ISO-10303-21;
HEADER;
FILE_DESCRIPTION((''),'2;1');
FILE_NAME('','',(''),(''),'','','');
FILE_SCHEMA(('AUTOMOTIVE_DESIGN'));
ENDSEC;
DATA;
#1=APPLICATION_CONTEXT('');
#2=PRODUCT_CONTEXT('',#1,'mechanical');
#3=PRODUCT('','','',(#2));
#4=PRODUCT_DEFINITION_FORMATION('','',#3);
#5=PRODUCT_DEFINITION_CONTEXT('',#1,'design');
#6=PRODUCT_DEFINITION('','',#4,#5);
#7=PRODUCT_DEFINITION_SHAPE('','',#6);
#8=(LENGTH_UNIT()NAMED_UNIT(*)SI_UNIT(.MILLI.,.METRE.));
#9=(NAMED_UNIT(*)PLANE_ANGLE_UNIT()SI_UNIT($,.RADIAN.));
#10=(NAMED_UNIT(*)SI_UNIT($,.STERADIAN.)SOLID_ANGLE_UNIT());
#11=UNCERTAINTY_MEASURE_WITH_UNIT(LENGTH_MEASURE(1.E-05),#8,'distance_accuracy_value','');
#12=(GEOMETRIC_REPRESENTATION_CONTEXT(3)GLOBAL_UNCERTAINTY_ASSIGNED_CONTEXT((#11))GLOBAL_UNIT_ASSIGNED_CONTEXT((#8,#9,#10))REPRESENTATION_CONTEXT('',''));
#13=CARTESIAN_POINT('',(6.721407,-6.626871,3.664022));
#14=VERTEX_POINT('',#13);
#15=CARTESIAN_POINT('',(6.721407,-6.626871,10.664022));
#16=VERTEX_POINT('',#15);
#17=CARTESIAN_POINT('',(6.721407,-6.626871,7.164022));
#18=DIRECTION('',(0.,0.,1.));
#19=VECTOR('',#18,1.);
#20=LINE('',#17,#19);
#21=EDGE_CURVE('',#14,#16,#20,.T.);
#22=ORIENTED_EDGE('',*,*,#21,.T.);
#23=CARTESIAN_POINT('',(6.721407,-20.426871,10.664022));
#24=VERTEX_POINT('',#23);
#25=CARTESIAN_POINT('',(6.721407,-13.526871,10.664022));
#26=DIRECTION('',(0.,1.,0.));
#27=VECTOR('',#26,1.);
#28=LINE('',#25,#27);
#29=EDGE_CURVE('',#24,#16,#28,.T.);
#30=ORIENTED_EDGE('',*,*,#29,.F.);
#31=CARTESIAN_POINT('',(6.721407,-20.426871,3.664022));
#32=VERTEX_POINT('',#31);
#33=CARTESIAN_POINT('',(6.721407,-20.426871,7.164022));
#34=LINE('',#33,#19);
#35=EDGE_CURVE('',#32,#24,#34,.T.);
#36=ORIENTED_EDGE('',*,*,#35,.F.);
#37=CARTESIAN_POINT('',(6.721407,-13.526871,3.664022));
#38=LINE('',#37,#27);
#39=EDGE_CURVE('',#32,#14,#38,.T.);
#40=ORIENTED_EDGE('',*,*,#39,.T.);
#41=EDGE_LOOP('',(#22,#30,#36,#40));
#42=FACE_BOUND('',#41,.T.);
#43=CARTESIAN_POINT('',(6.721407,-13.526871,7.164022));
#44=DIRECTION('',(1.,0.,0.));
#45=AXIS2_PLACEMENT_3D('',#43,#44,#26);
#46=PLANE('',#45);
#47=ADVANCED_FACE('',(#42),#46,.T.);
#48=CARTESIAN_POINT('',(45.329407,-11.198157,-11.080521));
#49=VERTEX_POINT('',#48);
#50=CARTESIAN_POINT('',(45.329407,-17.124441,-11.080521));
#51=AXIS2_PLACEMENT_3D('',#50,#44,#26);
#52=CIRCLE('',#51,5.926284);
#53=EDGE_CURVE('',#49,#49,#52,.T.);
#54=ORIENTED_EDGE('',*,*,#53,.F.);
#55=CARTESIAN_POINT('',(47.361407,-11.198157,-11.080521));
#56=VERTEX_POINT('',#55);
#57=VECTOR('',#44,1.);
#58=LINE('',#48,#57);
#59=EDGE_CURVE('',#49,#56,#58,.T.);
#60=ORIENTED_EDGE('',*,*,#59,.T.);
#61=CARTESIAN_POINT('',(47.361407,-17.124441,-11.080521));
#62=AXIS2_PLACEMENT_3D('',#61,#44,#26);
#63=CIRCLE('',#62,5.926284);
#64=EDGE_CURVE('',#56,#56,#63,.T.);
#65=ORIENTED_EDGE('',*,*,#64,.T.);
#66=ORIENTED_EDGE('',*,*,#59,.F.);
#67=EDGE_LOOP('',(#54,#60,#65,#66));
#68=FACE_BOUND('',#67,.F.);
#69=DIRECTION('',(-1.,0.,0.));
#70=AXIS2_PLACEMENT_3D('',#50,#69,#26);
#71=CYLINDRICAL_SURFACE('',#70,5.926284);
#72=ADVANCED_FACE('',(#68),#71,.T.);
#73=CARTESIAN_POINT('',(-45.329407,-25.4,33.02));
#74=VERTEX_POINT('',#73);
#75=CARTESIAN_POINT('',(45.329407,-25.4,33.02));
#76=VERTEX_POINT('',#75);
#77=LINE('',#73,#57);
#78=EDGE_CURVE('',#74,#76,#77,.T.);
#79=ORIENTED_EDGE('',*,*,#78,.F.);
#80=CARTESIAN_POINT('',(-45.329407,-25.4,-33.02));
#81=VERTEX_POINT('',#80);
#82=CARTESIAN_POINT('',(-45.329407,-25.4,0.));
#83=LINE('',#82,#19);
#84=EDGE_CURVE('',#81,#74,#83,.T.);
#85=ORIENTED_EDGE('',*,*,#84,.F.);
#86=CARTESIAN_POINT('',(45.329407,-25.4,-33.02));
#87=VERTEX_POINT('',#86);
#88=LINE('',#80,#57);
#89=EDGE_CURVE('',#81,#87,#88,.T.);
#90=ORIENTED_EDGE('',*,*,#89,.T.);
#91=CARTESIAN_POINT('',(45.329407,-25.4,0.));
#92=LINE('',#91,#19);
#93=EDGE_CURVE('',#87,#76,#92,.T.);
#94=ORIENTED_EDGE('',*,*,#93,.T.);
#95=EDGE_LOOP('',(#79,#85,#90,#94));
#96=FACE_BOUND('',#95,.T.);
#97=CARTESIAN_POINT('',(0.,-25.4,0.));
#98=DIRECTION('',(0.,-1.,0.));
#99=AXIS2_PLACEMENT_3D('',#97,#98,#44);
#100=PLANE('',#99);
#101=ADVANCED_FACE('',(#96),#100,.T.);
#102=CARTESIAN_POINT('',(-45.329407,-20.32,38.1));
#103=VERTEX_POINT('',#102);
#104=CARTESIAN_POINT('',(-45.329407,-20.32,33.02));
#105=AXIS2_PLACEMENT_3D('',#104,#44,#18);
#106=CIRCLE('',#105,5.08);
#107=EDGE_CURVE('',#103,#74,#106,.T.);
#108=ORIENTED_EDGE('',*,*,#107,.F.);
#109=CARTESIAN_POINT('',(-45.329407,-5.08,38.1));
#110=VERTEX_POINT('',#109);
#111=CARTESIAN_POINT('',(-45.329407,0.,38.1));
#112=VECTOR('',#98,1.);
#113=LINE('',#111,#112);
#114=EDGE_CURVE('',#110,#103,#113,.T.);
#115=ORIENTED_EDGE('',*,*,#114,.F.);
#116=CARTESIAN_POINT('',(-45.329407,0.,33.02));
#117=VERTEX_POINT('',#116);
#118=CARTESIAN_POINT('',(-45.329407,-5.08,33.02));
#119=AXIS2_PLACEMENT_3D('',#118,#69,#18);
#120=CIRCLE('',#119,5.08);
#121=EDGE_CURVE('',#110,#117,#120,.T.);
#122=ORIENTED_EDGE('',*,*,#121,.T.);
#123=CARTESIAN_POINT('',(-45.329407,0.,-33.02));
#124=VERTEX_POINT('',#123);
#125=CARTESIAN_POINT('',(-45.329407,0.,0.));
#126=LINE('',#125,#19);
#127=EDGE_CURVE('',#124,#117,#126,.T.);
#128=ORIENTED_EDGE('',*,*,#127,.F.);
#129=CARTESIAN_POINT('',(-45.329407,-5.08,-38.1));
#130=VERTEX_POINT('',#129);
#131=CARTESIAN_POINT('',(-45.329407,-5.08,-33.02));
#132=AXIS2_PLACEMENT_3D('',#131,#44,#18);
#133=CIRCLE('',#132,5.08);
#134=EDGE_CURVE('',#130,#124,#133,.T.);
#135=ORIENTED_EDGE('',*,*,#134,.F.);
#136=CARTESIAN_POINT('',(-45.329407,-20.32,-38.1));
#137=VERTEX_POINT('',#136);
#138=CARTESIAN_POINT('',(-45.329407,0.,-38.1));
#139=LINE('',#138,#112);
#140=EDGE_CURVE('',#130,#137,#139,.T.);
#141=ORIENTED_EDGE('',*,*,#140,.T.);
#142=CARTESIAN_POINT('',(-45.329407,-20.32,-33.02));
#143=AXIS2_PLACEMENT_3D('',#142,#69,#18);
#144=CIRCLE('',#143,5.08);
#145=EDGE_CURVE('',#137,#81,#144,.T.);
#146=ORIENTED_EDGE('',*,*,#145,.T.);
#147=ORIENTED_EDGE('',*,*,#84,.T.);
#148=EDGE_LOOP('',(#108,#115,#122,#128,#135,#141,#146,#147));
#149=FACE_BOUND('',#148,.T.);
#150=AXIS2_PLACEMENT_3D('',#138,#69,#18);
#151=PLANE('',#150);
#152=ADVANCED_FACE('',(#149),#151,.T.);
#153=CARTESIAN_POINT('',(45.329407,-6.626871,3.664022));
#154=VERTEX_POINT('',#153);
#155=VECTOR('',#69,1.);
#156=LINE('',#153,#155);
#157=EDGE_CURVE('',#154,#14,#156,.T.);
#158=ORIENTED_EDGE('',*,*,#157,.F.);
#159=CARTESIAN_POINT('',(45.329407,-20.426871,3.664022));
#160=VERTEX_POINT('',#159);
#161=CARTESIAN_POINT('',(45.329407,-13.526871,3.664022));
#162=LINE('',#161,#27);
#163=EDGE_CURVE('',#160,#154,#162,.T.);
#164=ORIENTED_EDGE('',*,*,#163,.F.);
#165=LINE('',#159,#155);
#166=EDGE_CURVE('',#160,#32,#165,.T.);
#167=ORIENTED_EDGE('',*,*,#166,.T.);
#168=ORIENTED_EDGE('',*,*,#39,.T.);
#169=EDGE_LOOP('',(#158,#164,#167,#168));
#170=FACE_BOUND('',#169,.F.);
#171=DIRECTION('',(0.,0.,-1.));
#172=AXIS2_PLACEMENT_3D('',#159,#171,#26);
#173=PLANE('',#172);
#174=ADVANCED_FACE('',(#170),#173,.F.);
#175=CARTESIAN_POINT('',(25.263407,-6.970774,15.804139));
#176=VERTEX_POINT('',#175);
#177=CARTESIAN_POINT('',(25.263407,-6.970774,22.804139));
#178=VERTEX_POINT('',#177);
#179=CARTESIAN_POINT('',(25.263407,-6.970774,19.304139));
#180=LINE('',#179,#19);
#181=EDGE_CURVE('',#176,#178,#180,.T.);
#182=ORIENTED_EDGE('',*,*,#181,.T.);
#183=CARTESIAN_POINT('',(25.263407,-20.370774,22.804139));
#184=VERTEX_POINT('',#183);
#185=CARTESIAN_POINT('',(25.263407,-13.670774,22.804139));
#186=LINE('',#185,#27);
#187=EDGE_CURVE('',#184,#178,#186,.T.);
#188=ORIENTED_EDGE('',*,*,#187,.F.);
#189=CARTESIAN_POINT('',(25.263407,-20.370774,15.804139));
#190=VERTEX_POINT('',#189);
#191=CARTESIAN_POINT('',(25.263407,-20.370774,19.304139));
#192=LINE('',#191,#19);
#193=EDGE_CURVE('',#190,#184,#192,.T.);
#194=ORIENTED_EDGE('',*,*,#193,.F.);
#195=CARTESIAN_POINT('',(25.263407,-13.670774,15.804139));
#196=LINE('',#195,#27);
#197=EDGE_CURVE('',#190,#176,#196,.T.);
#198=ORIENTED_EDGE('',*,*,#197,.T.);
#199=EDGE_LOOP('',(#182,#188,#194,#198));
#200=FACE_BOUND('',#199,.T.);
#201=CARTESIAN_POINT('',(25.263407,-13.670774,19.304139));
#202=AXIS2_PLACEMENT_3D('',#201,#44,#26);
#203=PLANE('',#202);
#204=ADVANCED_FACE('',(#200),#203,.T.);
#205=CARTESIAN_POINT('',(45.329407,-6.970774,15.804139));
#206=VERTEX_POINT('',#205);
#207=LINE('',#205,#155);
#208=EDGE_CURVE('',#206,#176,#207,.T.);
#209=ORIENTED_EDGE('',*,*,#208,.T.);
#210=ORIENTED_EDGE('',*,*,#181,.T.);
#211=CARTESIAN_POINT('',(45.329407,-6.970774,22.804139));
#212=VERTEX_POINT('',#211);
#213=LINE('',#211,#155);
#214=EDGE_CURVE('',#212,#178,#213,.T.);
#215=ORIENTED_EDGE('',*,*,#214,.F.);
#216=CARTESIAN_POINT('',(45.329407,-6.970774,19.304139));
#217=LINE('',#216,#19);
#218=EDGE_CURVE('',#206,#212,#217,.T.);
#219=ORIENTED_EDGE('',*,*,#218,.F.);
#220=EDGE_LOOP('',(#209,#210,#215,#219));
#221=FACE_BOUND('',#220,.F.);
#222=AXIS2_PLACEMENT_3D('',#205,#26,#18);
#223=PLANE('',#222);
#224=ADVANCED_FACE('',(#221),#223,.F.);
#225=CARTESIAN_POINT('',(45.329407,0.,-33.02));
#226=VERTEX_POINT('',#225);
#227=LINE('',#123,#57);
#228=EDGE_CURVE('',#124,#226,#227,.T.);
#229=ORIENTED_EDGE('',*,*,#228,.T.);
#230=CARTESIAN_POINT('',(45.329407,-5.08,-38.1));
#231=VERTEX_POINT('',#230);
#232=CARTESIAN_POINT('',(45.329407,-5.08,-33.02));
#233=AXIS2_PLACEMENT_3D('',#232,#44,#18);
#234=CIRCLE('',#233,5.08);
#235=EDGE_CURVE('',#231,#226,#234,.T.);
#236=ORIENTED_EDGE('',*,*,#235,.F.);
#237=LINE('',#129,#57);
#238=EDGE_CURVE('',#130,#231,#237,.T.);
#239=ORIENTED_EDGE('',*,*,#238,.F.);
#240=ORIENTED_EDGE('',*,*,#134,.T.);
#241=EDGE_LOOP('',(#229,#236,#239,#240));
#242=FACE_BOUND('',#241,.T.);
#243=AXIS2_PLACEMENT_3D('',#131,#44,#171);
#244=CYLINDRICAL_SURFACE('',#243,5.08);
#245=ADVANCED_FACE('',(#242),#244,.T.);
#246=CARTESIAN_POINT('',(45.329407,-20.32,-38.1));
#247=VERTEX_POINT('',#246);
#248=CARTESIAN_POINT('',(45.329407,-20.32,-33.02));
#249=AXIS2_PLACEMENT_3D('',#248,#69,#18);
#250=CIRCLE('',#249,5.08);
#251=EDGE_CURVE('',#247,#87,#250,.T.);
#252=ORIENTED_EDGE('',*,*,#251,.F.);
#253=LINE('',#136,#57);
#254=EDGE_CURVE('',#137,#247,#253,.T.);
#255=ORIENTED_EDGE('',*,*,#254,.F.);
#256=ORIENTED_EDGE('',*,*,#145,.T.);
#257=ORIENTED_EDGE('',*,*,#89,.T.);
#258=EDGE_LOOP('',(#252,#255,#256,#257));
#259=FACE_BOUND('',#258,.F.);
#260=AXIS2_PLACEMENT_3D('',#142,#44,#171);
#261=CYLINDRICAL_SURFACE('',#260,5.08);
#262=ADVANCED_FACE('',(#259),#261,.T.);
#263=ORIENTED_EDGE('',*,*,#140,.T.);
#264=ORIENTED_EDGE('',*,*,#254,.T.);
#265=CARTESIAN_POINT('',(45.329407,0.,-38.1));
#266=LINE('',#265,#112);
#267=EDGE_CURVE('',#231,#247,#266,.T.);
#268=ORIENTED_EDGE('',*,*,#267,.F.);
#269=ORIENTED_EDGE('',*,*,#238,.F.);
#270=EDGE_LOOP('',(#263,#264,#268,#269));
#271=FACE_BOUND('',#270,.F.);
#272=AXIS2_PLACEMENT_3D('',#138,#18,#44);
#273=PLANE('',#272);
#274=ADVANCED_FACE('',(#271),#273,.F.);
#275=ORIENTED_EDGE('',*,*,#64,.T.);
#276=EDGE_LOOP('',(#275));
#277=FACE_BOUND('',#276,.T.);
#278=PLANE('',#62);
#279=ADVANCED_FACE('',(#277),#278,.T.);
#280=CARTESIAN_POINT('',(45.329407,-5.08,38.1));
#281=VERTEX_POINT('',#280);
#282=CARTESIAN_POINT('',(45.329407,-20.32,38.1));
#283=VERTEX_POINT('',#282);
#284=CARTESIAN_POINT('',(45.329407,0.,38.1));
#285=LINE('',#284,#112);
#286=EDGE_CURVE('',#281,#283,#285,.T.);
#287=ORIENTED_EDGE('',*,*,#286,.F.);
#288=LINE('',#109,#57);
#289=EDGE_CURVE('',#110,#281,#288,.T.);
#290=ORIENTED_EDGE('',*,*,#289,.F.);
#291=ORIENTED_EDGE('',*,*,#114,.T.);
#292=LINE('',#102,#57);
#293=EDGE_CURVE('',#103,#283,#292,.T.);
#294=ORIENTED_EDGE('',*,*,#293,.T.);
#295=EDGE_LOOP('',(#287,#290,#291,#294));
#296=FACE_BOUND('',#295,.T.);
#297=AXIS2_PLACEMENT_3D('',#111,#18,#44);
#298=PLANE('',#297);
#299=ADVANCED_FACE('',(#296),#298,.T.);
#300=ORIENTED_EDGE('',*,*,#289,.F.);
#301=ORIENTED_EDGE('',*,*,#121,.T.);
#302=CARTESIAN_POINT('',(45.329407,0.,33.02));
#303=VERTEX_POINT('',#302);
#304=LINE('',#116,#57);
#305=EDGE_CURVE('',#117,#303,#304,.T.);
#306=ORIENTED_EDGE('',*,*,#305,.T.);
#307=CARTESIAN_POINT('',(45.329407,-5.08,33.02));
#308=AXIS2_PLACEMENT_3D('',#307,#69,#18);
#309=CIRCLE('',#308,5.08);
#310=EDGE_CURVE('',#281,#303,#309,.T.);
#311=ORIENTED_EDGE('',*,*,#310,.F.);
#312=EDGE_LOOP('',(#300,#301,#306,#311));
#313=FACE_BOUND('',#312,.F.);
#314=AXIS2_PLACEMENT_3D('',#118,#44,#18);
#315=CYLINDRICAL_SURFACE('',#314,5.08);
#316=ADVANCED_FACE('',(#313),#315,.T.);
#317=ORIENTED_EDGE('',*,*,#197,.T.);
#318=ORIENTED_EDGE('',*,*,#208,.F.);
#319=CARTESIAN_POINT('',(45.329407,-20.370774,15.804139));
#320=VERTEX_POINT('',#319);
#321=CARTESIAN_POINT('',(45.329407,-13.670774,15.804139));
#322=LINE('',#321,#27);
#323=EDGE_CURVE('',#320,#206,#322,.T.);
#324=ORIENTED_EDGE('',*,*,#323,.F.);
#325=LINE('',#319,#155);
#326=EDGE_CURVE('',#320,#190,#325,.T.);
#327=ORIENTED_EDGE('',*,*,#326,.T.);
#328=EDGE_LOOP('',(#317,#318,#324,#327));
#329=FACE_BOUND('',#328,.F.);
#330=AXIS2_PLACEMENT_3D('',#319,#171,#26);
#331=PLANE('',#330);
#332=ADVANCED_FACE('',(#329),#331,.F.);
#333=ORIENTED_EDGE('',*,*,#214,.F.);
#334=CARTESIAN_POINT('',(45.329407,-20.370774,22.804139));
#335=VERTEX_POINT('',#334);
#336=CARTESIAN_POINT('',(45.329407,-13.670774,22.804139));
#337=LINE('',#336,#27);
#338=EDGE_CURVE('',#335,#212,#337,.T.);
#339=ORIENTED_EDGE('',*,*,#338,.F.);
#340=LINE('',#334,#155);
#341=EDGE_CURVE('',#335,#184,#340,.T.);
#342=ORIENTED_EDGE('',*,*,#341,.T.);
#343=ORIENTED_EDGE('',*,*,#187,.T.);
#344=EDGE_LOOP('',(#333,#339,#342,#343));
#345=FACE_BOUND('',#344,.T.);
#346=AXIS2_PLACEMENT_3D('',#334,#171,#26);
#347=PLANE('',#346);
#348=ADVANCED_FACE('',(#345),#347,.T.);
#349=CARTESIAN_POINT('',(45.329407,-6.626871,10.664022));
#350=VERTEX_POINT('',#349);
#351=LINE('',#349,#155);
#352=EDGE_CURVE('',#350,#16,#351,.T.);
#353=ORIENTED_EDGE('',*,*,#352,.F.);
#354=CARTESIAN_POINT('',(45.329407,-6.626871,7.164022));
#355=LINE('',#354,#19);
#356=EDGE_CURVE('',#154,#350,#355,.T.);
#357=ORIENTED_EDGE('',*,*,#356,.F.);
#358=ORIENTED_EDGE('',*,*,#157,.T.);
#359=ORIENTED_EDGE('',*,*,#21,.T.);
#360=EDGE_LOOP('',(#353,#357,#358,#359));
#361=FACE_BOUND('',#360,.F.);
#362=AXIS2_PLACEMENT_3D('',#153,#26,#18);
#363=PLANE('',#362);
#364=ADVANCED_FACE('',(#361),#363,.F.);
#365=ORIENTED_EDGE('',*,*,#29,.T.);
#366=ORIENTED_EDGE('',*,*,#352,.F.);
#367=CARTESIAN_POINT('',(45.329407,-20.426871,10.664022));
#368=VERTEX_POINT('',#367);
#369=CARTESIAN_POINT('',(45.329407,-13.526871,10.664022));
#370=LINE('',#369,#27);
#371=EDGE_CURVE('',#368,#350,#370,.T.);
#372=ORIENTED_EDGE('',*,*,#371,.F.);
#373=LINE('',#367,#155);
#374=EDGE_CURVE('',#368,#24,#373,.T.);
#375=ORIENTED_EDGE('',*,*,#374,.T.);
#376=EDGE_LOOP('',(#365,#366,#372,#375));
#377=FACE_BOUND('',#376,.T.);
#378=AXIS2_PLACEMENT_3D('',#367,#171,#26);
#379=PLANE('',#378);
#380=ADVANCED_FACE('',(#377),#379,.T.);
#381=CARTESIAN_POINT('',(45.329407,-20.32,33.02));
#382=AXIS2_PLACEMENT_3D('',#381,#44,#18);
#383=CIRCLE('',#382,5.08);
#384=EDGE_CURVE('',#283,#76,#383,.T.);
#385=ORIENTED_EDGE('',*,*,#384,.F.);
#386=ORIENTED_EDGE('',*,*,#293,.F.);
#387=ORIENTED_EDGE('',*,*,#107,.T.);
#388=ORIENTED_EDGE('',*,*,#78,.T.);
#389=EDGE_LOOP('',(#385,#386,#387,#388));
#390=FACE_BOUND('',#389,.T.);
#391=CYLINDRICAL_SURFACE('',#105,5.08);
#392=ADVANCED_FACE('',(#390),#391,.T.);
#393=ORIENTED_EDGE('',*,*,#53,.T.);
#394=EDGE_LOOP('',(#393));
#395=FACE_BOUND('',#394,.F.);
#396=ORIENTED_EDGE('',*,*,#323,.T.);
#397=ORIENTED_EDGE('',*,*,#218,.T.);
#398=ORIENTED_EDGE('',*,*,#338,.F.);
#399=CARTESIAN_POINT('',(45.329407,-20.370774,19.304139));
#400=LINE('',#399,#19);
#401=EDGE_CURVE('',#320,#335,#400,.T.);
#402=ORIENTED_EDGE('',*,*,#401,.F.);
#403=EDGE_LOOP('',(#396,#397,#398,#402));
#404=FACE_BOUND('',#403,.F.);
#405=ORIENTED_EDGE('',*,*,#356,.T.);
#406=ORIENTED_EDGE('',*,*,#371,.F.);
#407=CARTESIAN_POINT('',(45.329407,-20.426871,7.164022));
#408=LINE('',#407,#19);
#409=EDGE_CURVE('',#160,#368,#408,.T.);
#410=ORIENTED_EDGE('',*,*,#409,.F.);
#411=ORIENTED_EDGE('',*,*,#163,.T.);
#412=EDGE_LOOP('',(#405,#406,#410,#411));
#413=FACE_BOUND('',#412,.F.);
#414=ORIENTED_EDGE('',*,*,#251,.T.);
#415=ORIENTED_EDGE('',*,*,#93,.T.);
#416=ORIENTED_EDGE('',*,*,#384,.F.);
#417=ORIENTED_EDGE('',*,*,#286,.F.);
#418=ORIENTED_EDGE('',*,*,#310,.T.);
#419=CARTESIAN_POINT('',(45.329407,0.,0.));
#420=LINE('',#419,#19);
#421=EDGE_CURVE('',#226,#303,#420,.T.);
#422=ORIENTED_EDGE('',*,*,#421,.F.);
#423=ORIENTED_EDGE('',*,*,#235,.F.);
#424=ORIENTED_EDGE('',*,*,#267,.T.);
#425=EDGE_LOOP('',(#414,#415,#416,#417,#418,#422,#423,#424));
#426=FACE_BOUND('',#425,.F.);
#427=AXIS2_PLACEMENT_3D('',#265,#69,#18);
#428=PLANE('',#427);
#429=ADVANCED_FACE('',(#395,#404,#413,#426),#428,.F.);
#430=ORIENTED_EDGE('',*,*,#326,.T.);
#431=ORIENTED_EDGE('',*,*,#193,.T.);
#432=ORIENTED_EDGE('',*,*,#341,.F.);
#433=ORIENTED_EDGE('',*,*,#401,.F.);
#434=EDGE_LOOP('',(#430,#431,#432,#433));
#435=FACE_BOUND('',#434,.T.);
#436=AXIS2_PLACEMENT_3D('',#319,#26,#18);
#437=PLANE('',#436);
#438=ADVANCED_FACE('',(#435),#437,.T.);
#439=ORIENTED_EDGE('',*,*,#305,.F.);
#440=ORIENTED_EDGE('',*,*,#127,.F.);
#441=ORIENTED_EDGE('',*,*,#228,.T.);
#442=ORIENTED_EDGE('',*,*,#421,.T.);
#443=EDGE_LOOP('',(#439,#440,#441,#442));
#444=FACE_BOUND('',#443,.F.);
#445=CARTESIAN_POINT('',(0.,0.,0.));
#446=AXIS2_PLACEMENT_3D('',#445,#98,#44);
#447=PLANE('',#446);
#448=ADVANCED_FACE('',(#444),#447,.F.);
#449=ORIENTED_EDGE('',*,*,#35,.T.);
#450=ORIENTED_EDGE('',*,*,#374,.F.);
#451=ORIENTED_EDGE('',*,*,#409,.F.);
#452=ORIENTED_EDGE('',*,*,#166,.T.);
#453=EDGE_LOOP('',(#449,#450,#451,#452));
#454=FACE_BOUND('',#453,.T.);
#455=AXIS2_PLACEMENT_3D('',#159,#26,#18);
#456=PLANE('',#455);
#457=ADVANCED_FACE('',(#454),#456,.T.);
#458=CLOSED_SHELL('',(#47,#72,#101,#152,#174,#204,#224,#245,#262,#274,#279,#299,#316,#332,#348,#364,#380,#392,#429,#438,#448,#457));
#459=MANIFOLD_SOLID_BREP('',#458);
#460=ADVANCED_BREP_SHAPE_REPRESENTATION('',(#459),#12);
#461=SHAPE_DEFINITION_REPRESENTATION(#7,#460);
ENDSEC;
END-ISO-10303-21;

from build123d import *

# Parameters (mm, degrees)
F0_W     = 90.658814
F0_H     = 76.2
F1_DEPTH = 25.4
F2_R     = 5.08
F3_W     = 13.8
F3_H     = 7
F4_DEPTH = 38.608
F5_W     = 13.4
F5_H     = 7
F6_DEPTH = 20.066
F7_R     = 5.926284
F8_DEPTH = 2.032


with BuildPart() as f1:
    # F0 (on Front) → F1 (new body)
    with BuildSketch(Plane.XZ):
        Rectangle(F0_W, F0_H)
    extrude(amount=F1_DEPTH)

    # F2
    f2_edges = [f1.edges().sort_by_distance(p)[0] for p in [
        (0, -25.4, 38.1),
        (0, 0, 38.1),
        (0, 0, -38.1),
        (0, -25.4, -38.1),
    ]]
    fillet(f2_edges, radius=F2_R)

    # F3 (on face) → F4 (cut)
    with BuildSketch(Plane.YZ.offset(45.329407)):
        with Locations((-13.526871, 7.164022)):
            Rectangle(F3_W, F3_H)
    extrude(amount=-F4_DEPTH, mode=Mode.SUBTRACT)

    # F5 (on face) → F6 (cut)
    with BuildSketch(Plane.YZ.offset(45.329407)):
        with Locations((-13.670774, 19.304139)):
            Rectangle(F5_W, F5_H)
    extrude(amount=-F6_DEPTH, mode=Mode.SUBTRACT)

    # F7 (on face) → F8 (join)
    with BuildSketch(Plane.YZ.offset(45.329407)):
        with Locations((-17.124441, -11.080521)):
            Circle(F7_R)
    extrude(amount=F8_DEPTH)


solid = f1.part
